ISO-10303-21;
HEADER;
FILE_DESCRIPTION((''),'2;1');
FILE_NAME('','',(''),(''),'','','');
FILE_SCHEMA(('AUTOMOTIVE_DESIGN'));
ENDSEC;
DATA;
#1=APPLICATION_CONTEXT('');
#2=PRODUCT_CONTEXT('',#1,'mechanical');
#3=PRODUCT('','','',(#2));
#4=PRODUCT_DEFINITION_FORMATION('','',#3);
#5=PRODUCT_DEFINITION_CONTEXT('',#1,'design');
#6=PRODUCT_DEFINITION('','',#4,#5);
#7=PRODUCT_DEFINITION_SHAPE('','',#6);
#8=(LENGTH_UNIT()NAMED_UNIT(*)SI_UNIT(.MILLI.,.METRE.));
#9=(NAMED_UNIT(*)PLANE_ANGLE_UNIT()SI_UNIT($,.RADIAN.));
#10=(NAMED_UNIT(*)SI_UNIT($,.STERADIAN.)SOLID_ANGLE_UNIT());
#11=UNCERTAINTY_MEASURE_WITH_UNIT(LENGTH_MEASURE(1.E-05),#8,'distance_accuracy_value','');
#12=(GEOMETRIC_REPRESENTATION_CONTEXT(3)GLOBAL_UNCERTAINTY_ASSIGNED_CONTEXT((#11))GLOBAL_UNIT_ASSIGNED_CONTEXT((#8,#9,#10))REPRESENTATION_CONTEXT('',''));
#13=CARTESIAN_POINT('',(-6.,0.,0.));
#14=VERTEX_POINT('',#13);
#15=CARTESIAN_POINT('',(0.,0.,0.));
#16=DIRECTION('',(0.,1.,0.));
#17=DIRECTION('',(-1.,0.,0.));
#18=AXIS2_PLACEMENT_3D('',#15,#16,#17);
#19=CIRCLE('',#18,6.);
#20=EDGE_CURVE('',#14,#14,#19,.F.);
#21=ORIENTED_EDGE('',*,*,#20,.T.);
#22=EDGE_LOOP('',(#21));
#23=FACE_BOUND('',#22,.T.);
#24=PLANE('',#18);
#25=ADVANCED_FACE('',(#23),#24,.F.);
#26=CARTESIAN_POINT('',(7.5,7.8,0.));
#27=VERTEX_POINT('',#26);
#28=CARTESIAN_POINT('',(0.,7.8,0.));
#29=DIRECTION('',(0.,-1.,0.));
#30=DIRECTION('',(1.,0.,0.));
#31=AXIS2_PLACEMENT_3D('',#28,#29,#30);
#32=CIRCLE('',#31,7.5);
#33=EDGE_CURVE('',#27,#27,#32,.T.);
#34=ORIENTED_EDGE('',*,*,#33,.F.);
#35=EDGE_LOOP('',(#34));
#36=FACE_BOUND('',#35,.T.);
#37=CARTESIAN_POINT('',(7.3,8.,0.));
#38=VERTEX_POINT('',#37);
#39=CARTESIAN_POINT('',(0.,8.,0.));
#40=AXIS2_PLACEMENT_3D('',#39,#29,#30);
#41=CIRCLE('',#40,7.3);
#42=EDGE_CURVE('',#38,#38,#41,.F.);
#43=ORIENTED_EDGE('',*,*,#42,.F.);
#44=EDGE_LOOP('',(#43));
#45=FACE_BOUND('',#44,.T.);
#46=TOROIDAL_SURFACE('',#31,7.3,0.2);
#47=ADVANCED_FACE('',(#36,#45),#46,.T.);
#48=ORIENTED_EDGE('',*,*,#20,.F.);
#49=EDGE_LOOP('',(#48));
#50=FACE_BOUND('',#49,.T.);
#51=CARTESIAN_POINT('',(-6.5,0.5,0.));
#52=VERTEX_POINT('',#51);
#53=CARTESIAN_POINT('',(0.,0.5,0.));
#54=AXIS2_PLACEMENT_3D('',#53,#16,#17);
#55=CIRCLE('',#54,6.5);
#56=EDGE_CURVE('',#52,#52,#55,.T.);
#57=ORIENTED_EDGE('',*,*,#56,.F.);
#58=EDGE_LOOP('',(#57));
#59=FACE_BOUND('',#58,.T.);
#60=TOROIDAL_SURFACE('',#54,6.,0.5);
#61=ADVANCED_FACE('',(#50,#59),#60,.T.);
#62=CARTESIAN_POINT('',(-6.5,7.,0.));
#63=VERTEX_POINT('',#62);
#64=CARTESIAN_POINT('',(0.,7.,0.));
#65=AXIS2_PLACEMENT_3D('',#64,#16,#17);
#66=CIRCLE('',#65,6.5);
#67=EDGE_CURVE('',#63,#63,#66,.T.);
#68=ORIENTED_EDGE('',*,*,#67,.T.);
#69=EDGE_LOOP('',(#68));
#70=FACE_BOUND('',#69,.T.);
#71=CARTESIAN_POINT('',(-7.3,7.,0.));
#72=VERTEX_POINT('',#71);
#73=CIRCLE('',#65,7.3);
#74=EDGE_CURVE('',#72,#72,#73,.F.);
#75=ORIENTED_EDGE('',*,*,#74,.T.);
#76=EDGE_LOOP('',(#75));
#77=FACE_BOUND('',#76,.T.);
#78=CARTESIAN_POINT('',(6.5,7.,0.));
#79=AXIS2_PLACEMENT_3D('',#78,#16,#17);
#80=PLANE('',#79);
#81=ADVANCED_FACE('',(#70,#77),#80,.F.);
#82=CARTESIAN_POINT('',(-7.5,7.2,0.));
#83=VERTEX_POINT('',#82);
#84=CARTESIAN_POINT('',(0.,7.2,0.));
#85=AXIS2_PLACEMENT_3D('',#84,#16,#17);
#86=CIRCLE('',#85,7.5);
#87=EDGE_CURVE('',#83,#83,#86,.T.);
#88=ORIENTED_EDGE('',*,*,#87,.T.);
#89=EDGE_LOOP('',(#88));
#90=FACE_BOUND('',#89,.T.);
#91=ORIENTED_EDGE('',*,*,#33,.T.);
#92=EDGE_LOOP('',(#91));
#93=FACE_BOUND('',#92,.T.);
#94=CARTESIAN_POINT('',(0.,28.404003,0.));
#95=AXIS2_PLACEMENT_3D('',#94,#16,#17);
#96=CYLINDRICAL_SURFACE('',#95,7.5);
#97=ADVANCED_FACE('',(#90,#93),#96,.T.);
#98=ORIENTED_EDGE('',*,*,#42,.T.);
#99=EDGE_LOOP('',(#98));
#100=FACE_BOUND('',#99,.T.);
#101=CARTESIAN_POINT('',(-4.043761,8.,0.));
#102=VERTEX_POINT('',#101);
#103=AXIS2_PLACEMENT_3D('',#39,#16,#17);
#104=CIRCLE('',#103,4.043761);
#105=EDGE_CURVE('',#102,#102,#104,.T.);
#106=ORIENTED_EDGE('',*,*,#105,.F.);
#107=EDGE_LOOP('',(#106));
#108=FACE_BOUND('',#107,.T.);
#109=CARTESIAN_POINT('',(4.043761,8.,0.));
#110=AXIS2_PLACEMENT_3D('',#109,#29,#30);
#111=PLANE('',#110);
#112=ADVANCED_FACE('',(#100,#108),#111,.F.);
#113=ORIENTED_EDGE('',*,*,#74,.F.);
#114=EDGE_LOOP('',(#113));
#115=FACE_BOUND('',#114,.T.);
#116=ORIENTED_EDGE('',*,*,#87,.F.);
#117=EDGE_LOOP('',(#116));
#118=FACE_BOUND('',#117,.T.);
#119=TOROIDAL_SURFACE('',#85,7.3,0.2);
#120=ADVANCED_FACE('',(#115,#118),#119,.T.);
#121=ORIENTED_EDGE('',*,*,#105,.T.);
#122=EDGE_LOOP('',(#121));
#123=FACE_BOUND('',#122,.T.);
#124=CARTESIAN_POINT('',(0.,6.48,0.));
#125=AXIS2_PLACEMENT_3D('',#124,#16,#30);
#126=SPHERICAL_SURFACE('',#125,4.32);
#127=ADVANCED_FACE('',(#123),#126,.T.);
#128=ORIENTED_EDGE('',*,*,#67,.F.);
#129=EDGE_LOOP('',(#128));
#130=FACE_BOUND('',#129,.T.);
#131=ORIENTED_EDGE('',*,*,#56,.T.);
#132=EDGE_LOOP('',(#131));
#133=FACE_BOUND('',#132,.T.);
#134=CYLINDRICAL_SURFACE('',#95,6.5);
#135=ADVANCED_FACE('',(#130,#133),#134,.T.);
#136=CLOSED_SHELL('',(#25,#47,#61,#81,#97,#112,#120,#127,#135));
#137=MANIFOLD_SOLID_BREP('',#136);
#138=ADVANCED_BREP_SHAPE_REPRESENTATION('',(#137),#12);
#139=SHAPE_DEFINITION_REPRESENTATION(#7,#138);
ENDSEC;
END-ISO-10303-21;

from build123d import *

# Parameters (mm, degrees)
FILLET_1_R = 0.5
FILLET_2_R = 0.2


with BuildPart() as part:
    # 草图1 → 旋转4 (revolve)
    with BuildSketch(Plane.XY, mode=Mode.PRIVATE) as revolve_4_sk:
        with BuildLine():
            Line((4.043760626, 8), (7.5, 8))
            Line((7.5, 8), (7.5, 7))
            Line((7.5, 7), (6.5, 7))
            Line((6.5, 7), (6.5, 0))
            Line((6.5, 0), (0, 0))
            Line((0, 0), (0, 10.8))
            ThreePointArc((0, 10.8), (2.459268184, 10.031675661), (4.043760626, 8))
        make_face()
    revolve(revolve_4_sk.sketch.rotate(Axis((0, 28.404003486, 0), (0, -1, 0)), 180), axis=Axis((0, 28.404003486, 0), (0, -1, 0)))

    # 圆角1
    fillet_1_edges = [part.edges().sort_by_distance(p)[0] for p in [
        (6.5, 0, 0),
    ]]
    fillet(fillet_1_edges, radius=FILLET_1_R)

    # 圆角2
    fillet_2_edges = [part.edges().sort_by_distance(p)[0] for p in [
        (7.5, 8, 0),
        (7.5, 7, 0),
    ]]
    fillet(fillet_2_edges, radius=FILLET_2_R)


solid = part.part
